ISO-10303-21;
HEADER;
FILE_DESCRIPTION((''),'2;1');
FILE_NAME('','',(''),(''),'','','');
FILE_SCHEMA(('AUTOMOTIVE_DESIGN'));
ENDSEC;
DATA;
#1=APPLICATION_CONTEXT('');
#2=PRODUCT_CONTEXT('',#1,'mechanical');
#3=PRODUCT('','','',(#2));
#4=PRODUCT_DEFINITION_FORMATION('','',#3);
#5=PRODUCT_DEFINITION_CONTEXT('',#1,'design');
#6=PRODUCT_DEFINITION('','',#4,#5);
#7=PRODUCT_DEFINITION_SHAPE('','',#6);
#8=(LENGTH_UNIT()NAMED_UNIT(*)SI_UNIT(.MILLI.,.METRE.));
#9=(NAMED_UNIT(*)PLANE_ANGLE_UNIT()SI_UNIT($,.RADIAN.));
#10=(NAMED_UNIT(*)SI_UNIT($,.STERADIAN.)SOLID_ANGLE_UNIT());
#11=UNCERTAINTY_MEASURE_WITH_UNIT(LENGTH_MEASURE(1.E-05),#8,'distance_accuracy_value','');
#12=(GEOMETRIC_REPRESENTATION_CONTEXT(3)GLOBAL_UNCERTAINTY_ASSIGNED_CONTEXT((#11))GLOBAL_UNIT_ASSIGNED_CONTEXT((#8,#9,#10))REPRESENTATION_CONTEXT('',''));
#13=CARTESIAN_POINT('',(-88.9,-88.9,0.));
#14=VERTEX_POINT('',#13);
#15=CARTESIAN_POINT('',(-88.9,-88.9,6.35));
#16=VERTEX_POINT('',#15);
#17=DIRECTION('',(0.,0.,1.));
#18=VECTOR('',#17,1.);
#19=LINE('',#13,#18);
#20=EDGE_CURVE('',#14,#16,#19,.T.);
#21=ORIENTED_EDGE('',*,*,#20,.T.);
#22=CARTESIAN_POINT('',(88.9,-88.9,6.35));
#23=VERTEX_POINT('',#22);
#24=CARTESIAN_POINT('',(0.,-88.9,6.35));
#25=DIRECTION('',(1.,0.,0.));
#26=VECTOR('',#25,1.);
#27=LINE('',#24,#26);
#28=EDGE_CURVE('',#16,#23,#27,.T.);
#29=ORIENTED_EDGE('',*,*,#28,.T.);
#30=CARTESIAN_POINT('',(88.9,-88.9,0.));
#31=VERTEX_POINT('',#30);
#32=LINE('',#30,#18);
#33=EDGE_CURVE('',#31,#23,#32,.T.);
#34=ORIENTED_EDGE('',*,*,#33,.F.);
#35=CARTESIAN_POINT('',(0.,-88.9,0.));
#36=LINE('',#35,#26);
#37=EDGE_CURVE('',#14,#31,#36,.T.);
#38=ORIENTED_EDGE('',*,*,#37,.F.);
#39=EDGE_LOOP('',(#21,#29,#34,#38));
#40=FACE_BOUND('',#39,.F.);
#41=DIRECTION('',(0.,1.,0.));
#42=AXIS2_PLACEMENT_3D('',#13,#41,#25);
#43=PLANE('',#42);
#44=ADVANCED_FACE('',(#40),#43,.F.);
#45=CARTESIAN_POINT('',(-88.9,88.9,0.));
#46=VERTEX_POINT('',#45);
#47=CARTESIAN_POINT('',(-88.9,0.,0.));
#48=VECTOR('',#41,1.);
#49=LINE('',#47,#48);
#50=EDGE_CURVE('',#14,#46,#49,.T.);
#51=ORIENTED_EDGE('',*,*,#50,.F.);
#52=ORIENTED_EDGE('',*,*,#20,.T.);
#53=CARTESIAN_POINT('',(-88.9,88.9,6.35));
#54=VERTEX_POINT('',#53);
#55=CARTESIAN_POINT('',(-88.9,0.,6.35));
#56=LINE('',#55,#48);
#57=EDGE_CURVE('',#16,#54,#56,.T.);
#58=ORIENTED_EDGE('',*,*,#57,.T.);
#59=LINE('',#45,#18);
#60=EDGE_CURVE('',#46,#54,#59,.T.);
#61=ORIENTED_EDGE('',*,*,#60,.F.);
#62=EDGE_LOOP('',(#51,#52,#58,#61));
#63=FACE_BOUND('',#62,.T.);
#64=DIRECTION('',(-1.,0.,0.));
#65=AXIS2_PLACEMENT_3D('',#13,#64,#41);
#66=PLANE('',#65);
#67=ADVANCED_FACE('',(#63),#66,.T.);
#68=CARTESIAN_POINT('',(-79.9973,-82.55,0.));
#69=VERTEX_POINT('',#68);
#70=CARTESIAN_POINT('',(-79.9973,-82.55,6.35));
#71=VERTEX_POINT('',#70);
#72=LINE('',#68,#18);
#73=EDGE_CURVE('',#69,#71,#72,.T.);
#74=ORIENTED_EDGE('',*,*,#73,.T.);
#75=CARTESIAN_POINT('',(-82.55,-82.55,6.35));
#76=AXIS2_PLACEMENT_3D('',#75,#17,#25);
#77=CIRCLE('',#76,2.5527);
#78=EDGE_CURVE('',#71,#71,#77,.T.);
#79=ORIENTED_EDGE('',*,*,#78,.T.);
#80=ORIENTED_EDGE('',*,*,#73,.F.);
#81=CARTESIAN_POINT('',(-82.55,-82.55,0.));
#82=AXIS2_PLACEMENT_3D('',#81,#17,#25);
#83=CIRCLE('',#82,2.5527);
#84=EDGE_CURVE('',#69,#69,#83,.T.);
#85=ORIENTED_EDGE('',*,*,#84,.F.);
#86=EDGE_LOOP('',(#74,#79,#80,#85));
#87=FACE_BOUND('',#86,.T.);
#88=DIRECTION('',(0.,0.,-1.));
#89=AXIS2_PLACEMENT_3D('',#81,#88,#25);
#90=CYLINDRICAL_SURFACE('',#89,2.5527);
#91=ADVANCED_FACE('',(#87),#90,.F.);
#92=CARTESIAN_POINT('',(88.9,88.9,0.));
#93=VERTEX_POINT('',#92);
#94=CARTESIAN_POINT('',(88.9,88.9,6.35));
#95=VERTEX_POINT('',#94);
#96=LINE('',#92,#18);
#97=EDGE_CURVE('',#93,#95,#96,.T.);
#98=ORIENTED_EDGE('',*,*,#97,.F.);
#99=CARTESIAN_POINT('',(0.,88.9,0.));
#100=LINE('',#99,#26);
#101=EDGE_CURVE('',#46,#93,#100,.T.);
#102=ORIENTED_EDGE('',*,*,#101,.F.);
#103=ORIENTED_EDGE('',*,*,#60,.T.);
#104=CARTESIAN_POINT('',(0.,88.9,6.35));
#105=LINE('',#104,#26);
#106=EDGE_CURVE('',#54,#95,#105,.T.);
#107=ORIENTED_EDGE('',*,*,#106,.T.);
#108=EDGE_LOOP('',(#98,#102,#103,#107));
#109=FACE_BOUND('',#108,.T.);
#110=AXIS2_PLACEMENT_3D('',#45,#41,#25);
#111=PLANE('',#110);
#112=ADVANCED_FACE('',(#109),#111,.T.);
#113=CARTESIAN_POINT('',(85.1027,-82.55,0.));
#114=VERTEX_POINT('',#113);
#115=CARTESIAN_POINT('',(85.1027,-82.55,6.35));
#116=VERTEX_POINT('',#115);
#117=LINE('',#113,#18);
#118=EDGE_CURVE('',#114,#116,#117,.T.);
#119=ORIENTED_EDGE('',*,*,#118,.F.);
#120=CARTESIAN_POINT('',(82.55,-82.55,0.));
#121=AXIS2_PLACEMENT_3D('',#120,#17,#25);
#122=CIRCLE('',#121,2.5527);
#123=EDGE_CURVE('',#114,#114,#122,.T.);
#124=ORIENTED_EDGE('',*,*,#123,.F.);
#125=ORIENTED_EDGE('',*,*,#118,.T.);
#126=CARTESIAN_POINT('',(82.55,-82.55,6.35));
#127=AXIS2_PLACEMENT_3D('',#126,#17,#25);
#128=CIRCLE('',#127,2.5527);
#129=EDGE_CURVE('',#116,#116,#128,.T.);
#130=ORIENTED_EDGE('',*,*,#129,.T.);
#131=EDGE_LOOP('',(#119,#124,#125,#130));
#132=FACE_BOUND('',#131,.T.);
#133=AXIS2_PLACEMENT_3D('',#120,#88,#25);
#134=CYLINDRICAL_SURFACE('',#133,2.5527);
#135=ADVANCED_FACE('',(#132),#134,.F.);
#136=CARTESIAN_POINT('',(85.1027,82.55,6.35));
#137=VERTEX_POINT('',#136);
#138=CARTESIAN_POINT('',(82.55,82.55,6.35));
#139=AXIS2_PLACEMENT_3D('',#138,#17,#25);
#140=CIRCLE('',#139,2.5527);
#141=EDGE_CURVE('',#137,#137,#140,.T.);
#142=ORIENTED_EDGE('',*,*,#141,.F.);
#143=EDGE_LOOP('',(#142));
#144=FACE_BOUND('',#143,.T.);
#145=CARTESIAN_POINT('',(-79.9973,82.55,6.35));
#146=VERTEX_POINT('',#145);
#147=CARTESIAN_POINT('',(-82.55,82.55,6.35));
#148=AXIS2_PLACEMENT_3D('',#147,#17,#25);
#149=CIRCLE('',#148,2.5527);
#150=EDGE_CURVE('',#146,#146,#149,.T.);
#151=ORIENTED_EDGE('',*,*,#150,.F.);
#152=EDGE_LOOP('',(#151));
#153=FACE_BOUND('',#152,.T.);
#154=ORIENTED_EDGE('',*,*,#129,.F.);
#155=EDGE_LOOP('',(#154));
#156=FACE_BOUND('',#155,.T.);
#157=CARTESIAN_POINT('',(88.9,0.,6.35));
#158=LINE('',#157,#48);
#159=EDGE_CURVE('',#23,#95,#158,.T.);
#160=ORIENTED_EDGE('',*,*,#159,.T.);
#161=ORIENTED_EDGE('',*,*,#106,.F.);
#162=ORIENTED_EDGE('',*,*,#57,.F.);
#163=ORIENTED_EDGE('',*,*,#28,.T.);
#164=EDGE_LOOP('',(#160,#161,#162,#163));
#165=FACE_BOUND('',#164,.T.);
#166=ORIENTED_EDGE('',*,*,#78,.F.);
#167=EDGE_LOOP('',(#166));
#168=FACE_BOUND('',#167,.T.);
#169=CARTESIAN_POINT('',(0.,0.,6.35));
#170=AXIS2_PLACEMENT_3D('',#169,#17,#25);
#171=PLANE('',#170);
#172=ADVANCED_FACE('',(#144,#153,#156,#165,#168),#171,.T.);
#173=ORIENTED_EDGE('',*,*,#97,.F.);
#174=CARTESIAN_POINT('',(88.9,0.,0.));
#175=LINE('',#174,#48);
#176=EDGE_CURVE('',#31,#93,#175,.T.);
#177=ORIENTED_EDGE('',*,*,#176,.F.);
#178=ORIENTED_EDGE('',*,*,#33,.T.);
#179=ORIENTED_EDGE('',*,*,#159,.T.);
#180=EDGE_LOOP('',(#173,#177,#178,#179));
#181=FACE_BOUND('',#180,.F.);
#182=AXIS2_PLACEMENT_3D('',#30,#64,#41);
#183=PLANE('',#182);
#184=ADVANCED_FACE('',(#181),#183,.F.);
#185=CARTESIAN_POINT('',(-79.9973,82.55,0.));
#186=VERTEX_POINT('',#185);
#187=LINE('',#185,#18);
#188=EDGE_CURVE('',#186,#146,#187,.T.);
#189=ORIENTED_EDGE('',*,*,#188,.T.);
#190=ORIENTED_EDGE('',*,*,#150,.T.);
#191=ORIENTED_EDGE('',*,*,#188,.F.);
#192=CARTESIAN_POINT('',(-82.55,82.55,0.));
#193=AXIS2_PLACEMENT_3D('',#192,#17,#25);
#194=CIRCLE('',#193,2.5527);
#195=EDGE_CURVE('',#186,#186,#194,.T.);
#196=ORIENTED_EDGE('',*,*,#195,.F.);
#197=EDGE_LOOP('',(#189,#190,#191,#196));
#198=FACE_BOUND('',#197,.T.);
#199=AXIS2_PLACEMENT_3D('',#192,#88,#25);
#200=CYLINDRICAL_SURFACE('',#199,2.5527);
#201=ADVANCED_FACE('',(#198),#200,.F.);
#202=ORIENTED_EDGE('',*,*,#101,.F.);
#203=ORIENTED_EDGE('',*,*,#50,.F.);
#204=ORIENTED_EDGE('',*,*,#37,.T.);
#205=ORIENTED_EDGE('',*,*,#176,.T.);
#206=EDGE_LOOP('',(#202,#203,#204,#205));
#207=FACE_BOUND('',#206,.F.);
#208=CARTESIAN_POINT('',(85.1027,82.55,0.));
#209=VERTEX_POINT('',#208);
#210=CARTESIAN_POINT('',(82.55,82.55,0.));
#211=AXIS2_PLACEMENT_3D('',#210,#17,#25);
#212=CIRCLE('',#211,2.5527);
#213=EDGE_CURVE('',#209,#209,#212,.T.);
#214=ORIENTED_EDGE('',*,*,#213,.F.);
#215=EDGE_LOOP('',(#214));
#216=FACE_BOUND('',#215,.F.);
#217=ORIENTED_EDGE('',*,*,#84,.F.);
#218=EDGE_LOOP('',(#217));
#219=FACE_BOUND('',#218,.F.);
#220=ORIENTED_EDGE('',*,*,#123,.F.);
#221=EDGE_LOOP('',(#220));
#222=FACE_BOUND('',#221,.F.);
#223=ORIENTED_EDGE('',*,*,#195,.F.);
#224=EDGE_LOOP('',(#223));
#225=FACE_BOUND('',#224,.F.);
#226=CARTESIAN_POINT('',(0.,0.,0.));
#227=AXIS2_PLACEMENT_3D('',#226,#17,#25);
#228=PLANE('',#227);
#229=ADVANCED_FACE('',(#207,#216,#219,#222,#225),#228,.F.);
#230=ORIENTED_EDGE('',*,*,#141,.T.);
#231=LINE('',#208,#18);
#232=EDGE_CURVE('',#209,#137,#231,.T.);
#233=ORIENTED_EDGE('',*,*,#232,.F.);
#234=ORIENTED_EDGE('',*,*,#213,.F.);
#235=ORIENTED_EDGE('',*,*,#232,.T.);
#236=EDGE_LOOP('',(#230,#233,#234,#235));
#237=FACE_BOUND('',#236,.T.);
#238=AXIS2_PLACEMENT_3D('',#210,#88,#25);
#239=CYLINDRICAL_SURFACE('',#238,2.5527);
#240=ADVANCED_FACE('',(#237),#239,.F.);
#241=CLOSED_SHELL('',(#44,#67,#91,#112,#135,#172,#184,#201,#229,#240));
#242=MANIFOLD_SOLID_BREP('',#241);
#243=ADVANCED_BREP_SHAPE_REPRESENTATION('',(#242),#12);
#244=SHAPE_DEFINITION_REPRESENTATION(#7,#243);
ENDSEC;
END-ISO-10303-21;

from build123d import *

# Parameters (mm, degrees)
F0_W     = 177.8
F0_H     = 177.8
F0_R     = 2.5527
F0_W_2   = 152.4
F0_H_2   = 152.4
F1_DEPTH = 6.35


with BuildPart() as f1:
    # F0 (on Top) → F1 (new body)
    with BuildSketch(Plane.XY):
        Rectangle(F0_W, F0_H)
        with Locations((-82.55, -82.55)):
            Circle(F0_R, mode=Mode.SUBTRACT)
        with Locations((82.55, -82.55)):
            Circle(F0_R, mode=Mode.SUBTRACT)
        with Locations((-82.55, 82.55)):
            Circle(F0_R, mode=Mode.SUBTRACT)
        Rectangle(F0_W_2, F0_H_2, mode=Mode.SUBTRACT)
        with Locations((82.55, 82.55)):
            Circle(F0_R, mode=Mode.SUBTRACT)
        Rectangle(F0_W_2, F0_H_2)
    extrude(amount=F1_DEPTH)


solid = f1.part
